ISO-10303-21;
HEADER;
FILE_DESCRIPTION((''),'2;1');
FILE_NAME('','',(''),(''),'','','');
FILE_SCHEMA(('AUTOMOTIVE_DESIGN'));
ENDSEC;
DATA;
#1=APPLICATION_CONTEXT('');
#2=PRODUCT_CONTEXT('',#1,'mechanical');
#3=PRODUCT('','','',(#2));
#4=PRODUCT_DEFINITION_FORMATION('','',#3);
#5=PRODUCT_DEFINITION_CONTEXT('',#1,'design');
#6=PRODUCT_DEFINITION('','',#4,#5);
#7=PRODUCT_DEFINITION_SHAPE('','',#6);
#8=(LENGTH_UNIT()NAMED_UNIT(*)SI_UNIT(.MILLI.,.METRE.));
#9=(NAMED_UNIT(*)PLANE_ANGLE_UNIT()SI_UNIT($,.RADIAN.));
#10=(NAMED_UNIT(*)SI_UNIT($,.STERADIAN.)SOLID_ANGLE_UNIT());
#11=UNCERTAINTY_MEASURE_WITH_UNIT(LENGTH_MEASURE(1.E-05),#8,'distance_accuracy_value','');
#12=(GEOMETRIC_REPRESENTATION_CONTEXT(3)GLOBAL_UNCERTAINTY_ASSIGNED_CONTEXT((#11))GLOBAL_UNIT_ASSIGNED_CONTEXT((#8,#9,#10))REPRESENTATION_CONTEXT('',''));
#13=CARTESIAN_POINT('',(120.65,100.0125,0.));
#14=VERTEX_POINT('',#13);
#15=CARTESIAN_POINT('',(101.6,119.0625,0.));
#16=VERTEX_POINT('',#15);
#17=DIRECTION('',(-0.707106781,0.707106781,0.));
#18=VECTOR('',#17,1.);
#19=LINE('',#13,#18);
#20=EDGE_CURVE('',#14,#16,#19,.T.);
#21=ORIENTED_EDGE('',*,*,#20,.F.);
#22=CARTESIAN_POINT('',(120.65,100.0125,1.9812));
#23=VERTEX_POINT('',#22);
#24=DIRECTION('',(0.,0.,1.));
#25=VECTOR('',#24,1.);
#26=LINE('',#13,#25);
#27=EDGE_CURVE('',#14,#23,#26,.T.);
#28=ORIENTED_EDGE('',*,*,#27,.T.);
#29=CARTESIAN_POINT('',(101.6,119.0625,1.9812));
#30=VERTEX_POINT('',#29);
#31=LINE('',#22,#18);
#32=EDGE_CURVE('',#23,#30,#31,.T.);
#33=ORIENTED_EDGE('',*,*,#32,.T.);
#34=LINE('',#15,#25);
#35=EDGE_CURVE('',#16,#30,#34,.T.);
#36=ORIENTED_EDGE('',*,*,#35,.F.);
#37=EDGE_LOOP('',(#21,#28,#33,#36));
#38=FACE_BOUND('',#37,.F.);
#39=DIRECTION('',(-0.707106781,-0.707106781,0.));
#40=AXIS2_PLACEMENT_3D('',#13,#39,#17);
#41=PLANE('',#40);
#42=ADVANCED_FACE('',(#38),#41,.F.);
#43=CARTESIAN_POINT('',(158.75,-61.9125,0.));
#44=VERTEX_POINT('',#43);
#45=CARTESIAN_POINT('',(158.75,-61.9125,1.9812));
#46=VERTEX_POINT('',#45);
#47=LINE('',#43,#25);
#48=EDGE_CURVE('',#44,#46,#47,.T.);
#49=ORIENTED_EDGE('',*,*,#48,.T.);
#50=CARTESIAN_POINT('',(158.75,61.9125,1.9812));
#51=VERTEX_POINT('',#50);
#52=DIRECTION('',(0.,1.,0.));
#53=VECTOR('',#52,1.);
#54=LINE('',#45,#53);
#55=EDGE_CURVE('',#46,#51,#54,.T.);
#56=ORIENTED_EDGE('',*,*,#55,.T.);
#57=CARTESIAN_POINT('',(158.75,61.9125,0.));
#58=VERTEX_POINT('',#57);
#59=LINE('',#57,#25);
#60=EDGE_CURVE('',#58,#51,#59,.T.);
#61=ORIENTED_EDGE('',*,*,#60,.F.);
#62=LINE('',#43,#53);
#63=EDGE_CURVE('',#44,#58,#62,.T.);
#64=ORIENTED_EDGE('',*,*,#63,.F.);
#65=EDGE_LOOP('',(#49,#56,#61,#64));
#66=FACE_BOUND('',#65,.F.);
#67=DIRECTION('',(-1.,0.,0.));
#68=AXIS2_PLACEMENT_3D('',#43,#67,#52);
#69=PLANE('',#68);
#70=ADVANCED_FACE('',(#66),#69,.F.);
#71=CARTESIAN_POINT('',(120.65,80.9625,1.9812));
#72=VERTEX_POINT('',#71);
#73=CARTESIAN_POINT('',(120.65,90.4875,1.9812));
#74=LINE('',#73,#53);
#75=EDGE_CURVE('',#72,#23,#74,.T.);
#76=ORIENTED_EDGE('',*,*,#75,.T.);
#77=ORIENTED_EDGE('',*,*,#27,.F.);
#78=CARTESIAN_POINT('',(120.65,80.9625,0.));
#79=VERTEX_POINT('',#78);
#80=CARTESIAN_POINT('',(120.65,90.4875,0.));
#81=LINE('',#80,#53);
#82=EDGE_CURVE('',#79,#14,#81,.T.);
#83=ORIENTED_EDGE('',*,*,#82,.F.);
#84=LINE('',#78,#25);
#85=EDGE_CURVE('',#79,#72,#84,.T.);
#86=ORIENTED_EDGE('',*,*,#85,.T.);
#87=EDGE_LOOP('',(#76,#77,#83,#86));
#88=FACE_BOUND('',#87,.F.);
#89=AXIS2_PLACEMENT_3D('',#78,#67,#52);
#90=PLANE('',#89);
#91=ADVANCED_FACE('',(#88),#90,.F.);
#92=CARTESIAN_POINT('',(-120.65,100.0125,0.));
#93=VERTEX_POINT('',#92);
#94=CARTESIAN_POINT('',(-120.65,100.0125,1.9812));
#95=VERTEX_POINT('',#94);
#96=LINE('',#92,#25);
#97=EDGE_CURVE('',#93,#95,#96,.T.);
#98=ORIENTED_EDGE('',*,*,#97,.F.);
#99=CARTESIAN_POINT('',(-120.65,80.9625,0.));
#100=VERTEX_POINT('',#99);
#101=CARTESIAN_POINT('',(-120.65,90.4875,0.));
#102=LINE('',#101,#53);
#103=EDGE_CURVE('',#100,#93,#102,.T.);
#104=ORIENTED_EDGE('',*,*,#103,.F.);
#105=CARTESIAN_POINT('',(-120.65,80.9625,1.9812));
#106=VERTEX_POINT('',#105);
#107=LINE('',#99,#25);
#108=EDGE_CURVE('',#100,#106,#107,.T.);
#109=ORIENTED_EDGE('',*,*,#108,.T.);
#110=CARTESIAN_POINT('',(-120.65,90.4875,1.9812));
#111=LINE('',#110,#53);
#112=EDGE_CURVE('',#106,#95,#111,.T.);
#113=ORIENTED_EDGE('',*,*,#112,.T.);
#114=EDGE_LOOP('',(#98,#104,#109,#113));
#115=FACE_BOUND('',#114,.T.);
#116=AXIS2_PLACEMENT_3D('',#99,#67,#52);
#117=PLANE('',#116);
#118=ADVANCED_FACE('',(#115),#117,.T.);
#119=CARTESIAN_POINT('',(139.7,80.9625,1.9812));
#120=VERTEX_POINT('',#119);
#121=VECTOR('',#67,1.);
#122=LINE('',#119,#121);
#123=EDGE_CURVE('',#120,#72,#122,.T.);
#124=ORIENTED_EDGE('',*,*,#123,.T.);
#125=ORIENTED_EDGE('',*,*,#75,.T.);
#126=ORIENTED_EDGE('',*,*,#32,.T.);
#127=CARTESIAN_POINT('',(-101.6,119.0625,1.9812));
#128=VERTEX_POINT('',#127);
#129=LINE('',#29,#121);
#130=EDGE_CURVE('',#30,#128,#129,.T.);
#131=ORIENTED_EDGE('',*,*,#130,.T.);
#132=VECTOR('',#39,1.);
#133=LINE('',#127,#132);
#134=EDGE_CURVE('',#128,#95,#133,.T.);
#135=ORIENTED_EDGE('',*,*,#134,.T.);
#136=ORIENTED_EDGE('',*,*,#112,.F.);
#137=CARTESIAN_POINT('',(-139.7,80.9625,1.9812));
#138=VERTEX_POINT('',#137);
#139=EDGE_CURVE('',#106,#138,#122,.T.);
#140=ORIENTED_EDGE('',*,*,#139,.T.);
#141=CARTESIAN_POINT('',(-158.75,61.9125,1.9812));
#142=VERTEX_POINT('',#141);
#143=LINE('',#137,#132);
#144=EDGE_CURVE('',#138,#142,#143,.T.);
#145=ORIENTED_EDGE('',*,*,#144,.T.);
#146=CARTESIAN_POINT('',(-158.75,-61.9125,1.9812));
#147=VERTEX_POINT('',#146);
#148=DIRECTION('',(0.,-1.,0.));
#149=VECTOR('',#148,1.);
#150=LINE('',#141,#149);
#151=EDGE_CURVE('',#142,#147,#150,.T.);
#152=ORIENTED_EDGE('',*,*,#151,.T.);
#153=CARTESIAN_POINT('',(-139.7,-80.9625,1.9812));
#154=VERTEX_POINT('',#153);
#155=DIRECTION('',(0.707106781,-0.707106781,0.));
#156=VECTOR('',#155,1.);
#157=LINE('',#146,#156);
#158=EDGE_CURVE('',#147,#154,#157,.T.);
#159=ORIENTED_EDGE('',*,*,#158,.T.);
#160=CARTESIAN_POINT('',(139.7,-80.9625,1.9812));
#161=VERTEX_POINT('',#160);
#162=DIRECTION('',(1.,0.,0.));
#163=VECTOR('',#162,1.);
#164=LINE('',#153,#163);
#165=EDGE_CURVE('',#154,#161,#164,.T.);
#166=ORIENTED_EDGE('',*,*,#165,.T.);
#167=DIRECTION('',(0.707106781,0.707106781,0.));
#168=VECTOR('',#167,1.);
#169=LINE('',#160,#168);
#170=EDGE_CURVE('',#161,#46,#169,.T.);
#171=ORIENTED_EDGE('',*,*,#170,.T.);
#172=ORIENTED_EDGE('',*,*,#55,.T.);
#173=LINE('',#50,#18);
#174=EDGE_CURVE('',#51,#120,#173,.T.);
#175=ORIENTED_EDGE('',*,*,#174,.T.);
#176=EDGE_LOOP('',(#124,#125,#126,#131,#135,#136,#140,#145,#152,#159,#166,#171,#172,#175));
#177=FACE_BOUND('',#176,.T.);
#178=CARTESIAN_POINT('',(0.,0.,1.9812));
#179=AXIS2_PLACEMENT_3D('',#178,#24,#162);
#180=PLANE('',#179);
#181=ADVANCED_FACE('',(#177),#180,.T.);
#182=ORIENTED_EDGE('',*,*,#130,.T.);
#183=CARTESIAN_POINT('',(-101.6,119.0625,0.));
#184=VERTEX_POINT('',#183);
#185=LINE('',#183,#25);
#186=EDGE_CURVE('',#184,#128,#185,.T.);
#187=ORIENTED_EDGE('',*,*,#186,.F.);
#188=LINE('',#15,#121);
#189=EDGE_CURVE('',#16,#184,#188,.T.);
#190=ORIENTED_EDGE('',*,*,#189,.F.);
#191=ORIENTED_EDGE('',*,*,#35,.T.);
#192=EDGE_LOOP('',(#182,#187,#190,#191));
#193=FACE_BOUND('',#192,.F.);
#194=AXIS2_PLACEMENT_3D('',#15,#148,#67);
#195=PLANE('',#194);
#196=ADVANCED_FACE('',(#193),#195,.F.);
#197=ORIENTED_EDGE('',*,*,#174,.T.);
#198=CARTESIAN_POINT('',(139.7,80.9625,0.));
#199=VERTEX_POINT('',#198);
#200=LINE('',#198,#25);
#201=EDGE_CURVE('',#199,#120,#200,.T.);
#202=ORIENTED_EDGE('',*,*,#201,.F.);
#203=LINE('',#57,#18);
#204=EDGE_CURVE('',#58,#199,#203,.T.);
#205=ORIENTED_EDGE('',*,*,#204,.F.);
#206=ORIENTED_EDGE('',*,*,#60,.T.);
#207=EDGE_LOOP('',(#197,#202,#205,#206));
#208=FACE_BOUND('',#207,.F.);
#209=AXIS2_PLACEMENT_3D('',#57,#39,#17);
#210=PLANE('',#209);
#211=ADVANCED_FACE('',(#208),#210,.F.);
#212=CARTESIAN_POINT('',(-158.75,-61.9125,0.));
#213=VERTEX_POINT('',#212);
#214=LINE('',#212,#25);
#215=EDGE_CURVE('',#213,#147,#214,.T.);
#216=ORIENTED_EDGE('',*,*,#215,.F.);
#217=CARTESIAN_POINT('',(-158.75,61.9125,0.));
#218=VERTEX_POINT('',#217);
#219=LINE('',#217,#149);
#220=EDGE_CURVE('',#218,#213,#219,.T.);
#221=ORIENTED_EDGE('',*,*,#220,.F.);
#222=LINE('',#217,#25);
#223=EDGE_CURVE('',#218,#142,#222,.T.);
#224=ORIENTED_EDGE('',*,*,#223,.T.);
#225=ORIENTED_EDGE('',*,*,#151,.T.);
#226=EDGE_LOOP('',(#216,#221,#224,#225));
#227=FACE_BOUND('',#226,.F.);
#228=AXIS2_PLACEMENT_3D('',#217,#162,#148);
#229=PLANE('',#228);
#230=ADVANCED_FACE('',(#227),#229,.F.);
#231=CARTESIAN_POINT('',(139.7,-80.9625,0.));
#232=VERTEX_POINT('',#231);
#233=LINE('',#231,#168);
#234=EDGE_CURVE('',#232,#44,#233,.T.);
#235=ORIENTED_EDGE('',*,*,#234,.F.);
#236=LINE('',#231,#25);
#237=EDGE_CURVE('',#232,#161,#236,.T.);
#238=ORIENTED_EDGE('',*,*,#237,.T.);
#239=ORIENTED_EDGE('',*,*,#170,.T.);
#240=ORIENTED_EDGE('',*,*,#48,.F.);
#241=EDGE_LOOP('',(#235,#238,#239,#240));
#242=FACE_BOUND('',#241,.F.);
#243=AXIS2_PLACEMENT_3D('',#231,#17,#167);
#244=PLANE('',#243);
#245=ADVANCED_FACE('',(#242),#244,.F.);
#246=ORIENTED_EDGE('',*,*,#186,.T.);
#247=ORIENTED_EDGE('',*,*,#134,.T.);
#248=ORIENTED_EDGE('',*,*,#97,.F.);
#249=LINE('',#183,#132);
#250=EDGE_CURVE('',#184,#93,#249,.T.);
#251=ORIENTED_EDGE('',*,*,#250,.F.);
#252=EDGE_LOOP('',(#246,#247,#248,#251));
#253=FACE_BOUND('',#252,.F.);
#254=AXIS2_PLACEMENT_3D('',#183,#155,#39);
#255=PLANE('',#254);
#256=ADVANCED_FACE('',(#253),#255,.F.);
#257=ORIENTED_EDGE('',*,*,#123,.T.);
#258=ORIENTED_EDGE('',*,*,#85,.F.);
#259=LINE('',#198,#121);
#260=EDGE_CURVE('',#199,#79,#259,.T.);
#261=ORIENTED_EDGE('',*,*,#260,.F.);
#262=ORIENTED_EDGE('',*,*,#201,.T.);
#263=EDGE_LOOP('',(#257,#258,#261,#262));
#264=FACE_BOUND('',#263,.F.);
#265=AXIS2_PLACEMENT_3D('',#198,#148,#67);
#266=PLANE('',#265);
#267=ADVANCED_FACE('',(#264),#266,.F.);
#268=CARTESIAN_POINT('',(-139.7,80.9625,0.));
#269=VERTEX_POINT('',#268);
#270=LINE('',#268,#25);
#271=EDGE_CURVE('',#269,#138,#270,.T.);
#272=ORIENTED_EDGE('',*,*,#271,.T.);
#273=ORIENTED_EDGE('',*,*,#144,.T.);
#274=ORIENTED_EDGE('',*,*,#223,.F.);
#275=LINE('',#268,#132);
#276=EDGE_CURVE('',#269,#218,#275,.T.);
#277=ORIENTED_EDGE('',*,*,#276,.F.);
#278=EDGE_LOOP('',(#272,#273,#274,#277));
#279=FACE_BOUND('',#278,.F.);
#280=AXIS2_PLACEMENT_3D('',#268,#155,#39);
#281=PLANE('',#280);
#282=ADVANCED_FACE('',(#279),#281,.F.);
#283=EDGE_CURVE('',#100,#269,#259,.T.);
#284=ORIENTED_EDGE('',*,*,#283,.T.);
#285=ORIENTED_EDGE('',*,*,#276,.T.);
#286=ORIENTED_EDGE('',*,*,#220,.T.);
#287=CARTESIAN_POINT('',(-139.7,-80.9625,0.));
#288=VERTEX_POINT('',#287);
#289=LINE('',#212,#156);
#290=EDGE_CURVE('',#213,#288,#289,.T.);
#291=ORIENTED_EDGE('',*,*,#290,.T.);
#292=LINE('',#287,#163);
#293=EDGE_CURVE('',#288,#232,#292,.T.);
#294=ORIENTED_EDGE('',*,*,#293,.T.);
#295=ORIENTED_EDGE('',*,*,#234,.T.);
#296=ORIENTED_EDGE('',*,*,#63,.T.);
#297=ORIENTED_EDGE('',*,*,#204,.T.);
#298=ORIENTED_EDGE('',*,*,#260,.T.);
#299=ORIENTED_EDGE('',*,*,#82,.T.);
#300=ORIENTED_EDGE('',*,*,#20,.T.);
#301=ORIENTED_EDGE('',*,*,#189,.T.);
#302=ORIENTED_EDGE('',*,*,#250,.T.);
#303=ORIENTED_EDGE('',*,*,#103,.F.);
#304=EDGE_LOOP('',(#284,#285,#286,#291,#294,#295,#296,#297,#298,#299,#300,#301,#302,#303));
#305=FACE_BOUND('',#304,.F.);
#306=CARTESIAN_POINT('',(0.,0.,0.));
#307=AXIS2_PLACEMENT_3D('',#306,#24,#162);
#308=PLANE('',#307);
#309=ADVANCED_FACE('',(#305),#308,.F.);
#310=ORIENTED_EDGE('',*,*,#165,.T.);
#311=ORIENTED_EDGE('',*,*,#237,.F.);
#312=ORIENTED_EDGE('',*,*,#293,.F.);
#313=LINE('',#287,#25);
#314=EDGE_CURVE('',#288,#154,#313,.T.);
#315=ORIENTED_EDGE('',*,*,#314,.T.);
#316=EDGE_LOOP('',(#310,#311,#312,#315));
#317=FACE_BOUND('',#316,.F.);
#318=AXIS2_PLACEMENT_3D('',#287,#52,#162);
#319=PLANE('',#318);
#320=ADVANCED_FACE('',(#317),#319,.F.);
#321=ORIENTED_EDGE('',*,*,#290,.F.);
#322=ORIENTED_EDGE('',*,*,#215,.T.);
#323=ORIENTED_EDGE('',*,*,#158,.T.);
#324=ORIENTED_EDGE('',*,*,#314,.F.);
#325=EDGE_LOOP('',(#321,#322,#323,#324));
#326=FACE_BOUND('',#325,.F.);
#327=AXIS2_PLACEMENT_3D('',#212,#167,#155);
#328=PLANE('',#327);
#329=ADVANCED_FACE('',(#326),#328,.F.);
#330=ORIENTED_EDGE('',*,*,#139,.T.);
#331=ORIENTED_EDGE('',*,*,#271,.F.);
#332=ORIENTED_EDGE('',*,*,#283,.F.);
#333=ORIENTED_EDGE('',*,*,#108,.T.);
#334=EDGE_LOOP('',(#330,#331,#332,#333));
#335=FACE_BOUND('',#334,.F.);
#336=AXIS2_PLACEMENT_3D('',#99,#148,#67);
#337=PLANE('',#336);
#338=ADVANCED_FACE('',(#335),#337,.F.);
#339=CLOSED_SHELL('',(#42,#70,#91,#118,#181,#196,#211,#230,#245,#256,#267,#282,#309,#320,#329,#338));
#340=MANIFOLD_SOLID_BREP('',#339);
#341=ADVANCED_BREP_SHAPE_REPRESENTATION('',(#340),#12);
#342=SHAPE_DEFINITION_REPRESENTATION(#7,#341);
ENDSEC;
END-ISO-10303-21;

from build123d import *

# Parameters (mm, degrees)
F0_W     = 241.3
F0_H     = 161.925
F0_W_2   = 19.05
F0_H_2   = 19.05
F1_DEPTH = 1.9812


with BuildPart() as f1:
    # F0 (on Top) → F1 (new body)
    with BuildSketch(Plane.XY):
        Rectangle(F0_W, F0_H)
        with Locations((130.175, 0)):
            Rectangle(F0_W_2, F0_H)
        with Locations((-130.175, 0)):
            Rectangle(F0_W_2, F0_H)
        with Locations((0, 90.4875)):
            Rectangle(F0_W, F0_H_2)
        Polygon((139.7, 80.9625), (139.7, -80.9625), (158.75, -61.9125), (158.75, 61.9125), align=None)
        Polygon((-158.75, -61.9125), (-139.7, -80.9625), (-139.7, 80.9625), (-158.75, 61.9125), align=None)
        Polygon((-120.65, 100.0125), (120.65, 100.0125), (101.6, 119.0625), (-101.6, 119.0625), align=None)
    extrude(amount=F1_DEPTH)


solid = f1.part
